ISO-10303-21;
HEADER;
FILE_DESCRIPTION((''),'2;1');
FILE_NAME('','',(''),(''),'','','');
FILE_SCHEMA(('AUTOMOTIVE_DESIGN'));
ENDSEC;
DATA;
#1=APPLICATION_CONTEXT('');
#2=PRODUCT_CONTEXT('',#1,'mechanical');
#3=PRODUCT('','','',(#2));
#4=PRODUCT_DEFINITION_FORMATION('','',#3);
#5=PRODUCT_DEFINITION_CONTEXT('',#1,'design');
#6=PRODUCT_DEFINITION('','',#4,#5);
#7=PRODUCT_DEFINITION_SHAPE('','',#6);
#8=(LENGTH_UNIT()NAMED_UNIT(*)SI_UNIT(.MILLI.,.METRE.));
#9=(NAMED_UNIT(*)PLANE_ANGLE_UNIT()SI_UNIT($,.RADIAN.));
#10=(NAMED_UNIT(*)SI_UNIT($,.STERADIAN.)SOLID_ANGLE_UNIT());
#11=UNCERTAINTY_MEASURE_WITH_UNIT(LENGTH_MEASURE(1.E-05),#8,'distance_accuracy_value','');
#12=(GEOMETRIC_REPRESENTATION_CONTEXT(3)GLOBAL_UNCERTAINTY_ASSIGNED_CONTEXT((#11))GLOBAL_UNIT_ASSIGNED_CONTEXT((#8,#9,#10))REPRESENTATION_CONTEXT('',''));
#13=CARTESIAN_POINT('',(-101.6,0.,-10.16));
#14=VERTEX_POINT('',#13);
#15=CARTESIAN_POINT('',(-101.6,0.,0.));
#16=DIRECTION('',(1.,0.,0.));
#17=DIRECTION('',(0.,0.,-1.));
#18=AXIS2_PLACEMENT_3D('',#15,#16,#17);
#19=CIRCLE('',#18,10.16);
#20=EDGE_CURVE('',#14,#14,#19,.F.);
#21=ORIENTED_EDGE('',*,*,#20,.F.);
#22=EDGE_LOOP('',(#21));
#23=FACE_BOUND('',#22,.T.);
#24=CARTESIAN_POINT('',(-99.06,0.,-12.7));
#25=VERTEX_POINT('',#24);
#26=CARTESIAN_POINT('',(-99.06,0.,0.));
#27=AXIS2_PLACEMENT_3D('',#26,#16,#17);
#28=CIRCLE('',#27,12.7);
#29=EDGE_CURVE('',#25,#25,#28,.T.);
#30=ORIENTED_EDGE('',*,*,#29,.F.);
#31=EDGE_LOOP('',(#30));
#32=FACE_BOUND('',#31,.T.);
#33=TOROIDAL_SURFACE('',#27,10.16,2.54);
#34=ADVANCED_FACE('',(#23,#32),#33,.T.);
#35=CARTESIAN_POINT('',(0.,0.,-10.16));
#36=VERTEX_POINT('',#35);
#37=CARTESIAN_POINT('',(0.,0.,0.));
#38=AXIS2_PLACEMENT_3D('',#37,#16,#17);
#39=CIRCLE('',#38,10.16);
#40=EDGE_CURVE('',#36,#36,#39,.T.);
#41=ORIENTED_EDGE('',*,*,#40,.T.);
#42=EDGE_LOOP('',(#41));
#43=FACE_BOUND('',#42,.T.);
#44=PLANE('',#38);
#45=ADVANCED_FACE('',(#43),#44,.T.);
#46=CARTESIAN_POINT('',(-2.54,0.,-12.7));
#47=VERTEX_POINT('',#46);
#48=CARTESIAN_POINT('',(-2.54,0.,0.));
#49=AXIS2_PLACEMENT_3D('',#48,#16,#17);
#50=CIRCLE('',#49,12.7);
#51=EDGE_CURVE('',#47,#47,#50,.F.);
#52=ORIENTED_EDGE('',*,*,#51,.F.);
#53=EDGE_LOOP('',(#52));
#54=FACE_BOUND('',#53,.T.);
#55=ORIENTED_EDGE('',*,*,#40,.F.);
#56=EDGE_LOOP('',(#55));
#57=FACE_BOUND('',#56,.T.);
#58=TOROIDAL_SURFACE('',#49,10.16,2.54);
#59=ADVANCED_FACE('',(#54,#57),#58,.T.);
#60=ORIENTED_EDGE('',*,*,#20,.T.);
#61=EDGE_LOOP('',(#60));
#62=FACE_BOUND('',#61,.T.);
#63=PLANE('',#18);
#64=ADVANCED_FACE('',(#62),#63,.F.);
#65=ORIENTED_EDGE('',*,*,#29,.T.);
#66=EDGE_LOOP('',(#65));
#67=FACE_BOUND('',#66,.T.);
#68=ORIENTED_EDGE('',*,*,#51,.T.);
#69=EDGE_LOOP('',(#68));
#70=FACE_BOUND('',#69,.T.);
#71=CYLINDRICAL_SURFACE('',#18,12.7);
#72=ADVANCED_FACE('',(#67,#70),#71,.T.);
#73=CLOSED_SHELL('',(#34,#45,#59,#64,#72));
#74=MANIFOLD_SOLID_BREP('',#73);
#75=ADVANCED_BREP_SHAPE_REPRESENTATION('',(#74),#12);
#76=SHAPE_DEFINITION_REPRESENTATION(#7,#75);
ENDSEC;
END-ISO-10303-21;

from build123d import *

# Parameters (mm, degrees)
SKETCH1_R           = 12.7
BOSS_EXTRUDE1_DEPTH = 101.6
FILLET1_R           = 2.54


with BuildPart() as part:
    # Sketch1 → Boss-Extrude1 (new body)
    with BuildSketch(Plane(origin=(0, 0, 0), x_dir=(0, 0, -1), z_dir=(1, 0, 0))):
        Circle(SKETCH1_R)
    extrude(amount=-BOSS_EXTRUDE1_DEPTH)

    # Fillet1
    fillet1_edges = [part.edges().sort_by_distance(p)[0] for p in [
        (0, 0, 12.7),
        (-101.6, 0, 12.7),
    ]]
    fillet(fillet1_edges, radius=FILLET1_R)


solid = part.part
